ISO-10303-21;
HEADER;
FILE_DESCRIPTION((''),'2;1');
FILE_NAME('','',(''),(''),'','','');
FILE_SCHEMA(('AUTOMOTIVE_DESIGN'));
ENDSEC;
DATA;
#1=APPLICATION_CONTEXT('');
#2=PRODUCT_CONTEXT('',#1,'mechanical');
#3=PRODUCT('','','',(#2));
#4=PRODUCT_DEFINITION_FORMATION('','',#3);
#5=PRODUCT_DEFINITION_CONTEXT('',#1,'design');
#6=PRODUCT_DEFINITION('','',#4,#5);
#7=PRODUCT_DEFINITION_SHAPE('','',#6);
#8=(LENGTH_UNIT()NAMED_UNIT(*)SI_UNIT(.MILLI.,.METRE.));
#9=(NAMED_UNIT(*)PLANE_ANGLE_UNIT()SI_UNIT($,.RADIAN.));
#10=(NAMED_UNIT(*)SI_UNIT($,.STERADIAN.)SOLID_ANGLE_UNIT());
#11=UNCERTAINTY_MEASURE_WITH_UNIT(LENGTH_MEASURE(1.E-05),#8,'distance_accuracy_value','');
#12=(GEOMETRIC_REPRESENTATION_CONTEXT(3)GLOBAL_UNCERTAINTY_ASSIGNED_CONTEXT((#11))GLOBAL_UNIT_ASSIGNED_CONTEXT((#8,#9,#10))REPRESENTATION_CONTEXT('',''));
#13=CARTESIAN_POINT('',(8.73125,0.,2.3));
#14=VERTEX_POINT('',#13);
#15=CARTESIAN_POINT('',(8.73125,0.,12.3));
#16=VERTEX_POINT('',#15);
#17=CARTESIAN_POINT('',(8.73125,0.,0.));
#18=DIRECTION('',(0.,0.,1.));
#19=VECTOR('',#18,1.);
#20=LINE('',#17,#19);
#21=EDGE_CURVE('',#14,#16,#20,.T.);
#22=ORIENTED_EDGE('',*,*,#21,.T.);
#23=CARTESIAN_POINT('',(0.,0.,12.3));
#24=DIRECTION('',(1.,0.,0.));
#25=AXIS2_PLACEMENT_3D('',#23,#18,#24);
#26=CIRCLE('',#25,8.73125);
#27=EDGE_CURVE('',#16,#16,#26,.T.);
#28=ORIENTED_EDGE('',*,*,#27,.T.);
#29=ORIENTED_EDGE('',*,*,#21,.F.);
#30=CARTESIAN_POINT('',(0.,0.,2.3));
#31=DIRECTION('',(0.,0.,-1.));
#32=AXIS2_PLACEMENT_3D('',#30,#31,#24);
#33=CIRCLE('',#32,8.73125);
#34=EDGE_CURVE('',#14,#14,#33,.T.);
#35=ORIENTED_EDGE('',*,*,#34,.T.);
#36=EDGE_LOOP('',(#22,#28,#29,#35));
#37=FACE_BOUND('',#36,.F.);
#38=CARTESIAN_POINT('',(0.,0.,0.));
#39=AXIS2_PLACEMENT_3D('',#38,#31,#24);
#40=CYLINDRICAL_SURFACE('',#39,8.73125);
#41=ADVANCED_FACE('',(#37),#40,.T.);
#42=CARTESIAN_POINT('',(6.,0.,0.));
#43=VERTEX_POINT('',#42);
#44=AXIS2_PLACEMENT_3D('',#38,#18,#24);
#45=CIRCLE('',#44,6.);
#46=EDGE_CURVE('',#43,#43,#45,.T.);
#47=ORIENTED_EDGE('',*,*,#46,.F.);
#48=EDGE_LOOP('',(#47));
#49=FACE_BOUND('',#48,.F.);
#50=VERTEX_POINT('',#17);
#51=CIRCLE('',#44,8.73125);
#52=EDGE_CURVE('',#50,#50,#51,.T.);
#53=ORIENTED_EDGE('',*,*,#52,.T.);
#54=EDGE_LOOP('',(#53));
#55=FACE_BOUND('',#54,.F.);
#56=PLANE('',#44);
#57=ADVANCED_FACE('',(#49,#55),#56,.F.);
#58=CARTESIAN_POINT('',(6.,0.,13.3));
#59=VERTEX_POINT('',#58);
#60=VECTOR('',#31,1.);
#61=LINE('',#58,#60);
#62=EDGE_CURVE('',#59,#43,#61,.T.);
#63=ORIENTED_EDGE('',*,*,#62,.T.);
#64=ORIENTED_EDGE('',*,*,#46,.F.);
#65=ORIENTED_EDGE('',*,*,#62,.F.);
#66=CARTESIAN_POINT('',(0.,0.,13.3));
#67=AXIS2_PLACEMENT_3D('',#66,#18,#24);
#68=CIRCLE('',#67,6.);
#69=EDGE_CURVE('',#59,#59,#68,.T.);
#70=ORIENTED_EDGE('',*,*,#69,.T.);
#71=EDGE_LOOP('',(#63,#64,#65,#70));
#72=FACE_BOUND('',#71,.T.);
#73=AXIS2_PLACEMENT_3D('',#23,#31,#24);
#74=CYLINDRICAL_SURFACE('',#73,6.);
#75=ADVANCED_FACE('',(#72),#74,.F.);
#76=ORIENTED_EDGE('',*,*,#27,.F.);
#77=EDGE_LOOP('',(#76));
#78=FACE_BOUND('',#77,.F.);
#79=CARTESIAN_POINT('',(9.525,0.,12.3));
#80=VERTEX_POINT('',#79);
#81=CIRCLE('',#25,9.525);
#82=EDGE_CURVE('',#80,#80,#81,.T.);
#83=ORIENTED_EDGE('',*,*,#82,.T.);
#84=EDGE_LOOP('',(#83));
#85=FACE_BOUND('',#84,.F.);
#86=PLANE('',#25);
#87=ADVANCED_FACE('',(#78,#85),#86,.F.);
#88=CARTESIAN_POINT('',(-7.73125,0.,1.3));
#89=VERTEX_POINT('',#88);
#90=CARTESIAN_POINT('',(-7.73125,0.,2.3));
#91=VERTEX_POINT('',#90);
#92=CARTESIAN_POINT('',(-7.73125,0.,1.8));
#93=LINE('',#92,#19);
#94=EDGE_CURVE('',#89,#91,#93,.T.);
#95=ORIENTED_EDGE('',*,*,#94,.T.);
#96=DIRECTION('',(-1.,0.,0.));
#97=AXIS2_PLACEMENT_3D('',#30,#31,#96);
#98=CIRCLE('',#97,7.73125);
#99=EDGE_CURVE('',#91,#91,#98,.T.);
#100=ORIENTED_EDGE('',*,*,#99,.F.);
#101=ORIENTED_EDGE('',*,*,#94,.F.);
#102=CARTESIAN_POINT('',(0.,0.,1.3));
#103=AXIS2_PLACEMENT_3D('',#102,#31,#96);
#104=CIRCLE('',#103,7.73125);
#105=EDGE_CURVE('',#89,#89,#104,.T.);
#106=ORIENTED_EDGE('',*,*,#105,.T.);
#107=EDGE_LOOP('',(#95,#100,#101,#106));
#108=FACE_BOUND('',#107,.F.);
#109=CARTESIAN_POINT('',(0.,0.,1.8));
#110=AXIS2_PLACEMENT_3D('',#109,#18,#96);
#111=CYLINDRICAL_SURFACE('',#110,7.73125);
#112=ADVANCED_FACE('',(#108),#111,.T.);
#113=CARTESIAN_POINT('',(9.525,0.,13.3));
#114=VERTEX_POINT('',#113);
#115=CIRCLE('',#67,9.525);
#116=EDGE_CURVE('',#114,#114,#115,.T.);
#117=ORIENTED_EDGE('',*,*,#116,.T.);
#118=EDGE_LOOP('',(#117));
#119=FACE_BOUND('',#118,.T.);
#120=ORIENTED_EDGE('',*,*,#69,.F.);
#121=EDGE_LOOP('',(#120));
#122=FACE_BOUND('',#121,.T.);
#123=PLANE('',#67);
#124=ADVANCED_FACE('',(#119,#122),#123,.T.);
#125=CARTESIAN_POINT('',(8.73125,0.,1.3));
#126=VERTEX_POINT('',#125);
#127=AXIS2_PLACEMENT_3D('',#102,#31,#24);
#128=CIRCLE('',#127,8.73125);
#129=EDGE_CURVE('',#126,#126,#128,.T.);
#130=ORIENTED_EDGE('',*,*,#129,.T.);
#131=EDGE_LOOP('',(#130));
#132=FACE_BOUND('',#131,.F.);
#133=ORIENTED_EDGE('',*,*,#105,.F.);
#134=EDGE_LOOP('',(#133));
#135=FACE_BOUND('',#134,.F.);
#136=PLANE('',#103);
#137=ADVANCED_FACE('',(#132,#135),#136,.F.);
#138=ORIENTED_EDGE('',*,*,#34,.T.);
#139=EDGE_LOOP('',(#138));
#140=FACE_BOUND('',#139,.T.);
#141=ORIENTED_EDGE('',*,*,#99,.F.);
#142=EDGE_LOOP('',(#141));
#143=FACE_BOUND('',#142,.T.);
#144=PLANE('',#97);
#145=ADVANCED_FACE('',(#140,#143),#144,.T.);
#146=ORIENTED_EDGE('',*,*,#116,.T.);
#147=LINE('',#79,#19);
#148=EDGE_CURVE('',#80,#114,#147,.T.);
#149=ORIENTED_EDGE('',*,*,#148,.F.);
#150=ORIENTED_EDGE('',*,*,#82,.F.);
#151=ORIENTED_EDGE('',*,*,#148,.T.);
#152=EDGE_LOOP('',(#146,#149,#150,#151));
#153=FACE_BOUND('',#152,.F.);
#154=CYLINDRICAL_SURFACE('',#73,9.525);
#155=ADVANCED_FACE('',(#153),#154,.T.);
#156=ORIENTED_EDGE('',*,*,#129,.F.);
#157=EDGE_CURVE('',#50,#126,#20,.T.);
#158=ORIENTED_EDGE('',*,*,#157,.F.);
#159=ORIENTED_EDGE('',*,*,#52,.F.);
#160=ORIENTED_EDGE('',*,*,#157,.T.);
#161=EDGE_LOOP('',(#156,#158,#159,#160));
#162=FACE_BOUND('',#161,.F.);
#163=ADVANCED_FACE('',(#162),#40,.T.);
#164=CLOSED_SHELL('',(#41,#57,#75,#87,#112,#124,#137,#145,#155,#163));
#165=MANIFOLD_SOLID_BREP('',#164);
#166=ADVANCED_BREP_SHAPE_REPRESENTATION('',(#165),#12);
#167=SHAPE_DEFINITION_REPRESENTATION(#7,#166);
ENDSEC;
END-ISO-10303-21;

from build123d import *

# Parameters (mm, degrees)
F0_R     = 8.73125
F0_R_2   = 6
F1_DEPTH = 12.3
F2_R     = 9.525
F2_R_2   = 6
F3_DEPTH = 1
F4_W     = 2
F4_H     = 1


with BuildPart() as f1:
    # F0 (on Top) → F1 (new body)
    with BuildSketch(Plane.XY):
        Circle(F0_R)
        Circle(F0_R_2, mode=Mode.SUBTRACT)
    extrude(amount=F1_DEPTH)

    # F2 (on face) → F3 (join)
    with BuildSketch(Plane.XY.offset(12.3)):
        Circle(F2_R)
        Circle(F2_R_2, mode=Mode.SUBTRACT)
    extrude(amount=F3_DEPTH)

    # F4 (on Front) → F5 (revolve, cut)
    with BuildSketch(Plane.XZ):
        with Locations((-8.73125, 1.8)):
            Rectangle(F4_W, F4_H)
    revolve(axis=Axis((0, 0, 7.145868), (0, 0, -1)), mode=Mode.SUBTRACT)


solid = f1.part
